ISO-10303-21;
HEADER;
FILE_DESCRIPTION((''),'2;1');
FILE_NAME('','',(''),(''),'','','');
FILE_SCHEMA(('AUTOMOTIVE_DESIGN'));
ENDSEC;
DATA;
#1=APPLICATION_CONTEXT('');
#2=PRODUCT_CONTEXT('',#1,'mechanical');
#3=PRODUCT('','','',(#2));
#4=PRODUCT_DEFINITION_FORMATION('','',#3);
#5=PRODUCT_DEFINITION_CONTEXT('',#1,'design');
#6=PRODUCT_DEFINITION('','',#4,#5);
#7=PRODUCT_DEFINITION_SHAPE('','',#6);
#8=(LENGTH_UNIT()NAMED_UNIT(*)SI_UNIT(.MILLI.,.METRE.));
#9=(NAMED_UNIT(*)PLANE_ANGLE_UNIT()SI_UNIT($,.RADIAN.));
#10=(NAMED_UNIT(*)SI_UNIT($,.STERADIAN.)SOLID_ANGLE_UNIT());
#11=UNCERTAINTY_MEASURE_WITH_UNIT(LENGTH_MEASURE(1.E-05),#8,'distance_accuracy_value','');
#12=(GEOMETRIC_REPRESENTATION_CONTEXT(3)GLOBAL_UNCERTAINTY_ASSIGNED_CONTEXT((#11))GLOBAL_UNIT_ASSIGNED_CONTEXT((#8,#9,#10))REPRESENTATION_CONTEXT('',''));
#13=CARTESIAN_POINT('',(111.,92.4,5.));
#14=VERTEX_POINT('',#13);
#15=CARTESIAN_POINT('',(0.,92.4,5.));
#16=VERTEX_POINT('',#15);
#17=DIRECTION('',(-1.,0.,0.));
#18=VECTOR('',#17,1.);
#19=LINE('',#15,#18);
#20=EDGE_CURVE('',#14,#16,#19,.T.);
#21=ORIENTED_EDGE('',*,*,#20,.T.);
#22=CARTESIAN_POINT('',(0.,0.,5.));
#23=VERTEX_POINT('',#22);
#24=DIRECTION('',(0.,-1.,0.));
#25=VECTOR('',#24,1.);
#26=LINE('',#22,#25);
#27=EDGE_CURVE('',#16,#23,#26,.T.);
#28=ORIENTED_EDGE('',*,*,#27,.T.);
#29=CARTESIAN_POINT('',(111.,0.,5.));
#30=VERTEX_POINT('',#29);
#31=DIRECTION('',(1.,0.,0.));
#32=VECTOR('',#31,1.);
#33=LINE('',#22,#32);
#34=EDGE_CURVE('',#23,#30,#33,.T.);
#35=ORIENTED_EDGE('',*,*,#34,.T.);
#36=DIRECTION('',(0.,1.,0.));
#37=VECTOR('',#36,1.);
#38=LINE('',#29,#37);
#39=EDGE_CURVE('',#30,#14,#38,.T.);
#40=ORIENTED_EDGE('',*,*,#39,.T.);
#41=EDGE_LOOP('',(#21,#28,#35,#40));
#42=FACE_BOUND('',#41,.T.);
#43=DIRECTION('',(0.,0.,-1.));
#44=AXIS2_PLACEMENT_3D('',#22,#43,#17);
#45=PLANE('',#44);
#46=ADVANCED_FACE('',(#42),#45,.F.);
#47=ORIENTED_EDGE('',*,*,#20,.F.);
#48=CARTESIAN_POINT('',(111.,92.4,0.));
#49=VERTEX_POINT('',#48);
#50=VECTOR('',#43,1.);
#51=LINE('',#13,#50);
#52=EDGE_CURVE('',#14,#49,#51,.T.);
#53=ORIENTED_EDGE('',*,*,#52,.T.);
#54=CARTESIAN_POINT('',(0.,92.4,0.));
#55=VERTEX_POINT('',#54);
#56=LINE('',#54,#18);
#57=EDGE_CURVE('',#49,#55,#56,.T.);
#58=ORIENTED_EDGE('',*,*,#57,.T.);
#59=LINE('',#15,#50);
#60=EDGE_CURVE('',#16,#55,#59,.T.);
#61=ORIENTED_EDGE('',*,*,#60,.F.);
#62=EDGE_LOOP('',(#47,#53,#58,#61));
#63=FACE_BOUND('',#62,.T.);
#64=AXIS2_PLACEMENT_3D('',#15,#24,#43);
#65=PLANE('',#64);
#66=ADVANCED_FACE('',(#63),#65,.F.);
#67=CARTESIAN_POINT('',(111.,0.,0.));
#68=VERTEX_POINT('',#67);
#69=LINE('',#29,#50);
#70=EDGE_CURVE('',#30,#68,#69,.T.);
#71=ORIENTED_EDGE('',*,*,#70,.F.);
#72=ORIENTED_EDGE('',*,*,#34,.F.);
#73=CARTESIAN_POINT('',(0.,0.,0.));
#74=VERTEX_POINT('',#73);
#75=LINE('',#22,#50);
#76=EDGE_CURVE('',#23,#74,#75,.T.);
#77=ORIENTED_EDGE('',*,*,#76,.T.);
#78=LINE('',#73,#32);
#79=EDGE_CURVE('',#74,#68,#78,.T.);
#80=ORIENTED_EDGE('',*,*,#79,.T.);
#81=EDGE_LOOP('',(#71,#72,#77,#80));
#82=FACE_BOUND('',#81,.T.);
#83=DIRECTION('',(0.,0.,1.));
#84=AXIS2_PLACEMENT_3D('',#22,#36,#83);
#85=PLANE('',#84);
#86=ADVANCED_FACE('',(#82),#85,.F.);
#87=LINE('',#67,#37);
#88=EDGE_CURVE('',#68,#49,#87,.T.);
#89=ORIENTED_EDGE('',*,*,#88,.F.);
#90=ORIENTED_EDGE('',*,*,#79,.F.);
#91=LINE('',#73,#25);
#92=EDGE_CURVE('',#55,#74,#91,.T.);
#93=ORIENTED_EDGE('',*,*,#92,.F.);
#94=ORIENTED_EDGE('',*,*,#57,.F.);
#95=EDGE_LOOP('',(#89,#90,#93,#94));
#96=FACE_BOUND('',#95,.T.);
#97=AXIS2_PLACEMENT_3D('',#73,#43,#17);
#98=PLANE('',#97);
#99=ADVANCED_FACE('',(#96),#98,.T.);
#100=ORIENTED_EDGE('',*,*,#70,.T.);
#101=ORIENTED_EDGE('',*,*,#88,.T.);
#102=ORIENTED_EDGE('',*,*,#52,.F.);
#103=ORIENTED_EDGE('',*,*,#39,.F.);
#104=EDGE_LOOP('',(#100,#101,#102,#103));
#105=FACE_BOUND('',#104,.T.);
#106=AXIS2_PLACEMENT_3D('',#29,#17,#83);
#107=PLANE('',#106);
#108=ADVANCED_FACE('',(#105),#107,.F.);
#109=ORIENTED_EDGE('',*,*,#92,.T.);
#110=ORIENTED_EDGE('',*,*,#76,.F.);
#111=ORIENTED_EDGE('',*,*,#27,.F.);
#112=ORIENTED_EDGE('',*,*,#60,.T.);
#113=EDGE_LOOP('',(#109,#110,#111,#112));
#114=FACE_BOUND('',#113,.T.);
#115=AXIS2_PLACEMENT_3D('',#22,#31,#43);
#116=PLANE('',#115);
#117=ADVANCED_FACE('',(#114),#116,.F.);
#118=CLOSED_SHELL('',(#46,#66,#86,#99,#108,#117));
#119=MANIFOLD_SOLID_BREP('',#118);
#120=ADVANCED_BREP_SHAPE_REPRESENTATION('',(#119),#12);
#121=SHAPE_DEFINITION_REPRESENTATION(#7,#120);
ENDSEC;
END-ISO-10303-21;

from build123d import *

# Parameters (mm, degrees)
CROQUIS1_W              = 111
CROQUIS1_H              = 92.4
SALIENTE_EXTRUIR1_DEPTH = 5


with BuildPart() as part:
    # Croquis1 → Saliente-Extruir1 (new body)
    with BuildSketch(Plane.XY):
        with Locations((55.5, 46.2)):
            Rectangle(CROQUIS1_W, CROQUIS1_H)
    extrude(amount=SALIENTE_EXTRUIR1_DEPTH)


solid = part.part
